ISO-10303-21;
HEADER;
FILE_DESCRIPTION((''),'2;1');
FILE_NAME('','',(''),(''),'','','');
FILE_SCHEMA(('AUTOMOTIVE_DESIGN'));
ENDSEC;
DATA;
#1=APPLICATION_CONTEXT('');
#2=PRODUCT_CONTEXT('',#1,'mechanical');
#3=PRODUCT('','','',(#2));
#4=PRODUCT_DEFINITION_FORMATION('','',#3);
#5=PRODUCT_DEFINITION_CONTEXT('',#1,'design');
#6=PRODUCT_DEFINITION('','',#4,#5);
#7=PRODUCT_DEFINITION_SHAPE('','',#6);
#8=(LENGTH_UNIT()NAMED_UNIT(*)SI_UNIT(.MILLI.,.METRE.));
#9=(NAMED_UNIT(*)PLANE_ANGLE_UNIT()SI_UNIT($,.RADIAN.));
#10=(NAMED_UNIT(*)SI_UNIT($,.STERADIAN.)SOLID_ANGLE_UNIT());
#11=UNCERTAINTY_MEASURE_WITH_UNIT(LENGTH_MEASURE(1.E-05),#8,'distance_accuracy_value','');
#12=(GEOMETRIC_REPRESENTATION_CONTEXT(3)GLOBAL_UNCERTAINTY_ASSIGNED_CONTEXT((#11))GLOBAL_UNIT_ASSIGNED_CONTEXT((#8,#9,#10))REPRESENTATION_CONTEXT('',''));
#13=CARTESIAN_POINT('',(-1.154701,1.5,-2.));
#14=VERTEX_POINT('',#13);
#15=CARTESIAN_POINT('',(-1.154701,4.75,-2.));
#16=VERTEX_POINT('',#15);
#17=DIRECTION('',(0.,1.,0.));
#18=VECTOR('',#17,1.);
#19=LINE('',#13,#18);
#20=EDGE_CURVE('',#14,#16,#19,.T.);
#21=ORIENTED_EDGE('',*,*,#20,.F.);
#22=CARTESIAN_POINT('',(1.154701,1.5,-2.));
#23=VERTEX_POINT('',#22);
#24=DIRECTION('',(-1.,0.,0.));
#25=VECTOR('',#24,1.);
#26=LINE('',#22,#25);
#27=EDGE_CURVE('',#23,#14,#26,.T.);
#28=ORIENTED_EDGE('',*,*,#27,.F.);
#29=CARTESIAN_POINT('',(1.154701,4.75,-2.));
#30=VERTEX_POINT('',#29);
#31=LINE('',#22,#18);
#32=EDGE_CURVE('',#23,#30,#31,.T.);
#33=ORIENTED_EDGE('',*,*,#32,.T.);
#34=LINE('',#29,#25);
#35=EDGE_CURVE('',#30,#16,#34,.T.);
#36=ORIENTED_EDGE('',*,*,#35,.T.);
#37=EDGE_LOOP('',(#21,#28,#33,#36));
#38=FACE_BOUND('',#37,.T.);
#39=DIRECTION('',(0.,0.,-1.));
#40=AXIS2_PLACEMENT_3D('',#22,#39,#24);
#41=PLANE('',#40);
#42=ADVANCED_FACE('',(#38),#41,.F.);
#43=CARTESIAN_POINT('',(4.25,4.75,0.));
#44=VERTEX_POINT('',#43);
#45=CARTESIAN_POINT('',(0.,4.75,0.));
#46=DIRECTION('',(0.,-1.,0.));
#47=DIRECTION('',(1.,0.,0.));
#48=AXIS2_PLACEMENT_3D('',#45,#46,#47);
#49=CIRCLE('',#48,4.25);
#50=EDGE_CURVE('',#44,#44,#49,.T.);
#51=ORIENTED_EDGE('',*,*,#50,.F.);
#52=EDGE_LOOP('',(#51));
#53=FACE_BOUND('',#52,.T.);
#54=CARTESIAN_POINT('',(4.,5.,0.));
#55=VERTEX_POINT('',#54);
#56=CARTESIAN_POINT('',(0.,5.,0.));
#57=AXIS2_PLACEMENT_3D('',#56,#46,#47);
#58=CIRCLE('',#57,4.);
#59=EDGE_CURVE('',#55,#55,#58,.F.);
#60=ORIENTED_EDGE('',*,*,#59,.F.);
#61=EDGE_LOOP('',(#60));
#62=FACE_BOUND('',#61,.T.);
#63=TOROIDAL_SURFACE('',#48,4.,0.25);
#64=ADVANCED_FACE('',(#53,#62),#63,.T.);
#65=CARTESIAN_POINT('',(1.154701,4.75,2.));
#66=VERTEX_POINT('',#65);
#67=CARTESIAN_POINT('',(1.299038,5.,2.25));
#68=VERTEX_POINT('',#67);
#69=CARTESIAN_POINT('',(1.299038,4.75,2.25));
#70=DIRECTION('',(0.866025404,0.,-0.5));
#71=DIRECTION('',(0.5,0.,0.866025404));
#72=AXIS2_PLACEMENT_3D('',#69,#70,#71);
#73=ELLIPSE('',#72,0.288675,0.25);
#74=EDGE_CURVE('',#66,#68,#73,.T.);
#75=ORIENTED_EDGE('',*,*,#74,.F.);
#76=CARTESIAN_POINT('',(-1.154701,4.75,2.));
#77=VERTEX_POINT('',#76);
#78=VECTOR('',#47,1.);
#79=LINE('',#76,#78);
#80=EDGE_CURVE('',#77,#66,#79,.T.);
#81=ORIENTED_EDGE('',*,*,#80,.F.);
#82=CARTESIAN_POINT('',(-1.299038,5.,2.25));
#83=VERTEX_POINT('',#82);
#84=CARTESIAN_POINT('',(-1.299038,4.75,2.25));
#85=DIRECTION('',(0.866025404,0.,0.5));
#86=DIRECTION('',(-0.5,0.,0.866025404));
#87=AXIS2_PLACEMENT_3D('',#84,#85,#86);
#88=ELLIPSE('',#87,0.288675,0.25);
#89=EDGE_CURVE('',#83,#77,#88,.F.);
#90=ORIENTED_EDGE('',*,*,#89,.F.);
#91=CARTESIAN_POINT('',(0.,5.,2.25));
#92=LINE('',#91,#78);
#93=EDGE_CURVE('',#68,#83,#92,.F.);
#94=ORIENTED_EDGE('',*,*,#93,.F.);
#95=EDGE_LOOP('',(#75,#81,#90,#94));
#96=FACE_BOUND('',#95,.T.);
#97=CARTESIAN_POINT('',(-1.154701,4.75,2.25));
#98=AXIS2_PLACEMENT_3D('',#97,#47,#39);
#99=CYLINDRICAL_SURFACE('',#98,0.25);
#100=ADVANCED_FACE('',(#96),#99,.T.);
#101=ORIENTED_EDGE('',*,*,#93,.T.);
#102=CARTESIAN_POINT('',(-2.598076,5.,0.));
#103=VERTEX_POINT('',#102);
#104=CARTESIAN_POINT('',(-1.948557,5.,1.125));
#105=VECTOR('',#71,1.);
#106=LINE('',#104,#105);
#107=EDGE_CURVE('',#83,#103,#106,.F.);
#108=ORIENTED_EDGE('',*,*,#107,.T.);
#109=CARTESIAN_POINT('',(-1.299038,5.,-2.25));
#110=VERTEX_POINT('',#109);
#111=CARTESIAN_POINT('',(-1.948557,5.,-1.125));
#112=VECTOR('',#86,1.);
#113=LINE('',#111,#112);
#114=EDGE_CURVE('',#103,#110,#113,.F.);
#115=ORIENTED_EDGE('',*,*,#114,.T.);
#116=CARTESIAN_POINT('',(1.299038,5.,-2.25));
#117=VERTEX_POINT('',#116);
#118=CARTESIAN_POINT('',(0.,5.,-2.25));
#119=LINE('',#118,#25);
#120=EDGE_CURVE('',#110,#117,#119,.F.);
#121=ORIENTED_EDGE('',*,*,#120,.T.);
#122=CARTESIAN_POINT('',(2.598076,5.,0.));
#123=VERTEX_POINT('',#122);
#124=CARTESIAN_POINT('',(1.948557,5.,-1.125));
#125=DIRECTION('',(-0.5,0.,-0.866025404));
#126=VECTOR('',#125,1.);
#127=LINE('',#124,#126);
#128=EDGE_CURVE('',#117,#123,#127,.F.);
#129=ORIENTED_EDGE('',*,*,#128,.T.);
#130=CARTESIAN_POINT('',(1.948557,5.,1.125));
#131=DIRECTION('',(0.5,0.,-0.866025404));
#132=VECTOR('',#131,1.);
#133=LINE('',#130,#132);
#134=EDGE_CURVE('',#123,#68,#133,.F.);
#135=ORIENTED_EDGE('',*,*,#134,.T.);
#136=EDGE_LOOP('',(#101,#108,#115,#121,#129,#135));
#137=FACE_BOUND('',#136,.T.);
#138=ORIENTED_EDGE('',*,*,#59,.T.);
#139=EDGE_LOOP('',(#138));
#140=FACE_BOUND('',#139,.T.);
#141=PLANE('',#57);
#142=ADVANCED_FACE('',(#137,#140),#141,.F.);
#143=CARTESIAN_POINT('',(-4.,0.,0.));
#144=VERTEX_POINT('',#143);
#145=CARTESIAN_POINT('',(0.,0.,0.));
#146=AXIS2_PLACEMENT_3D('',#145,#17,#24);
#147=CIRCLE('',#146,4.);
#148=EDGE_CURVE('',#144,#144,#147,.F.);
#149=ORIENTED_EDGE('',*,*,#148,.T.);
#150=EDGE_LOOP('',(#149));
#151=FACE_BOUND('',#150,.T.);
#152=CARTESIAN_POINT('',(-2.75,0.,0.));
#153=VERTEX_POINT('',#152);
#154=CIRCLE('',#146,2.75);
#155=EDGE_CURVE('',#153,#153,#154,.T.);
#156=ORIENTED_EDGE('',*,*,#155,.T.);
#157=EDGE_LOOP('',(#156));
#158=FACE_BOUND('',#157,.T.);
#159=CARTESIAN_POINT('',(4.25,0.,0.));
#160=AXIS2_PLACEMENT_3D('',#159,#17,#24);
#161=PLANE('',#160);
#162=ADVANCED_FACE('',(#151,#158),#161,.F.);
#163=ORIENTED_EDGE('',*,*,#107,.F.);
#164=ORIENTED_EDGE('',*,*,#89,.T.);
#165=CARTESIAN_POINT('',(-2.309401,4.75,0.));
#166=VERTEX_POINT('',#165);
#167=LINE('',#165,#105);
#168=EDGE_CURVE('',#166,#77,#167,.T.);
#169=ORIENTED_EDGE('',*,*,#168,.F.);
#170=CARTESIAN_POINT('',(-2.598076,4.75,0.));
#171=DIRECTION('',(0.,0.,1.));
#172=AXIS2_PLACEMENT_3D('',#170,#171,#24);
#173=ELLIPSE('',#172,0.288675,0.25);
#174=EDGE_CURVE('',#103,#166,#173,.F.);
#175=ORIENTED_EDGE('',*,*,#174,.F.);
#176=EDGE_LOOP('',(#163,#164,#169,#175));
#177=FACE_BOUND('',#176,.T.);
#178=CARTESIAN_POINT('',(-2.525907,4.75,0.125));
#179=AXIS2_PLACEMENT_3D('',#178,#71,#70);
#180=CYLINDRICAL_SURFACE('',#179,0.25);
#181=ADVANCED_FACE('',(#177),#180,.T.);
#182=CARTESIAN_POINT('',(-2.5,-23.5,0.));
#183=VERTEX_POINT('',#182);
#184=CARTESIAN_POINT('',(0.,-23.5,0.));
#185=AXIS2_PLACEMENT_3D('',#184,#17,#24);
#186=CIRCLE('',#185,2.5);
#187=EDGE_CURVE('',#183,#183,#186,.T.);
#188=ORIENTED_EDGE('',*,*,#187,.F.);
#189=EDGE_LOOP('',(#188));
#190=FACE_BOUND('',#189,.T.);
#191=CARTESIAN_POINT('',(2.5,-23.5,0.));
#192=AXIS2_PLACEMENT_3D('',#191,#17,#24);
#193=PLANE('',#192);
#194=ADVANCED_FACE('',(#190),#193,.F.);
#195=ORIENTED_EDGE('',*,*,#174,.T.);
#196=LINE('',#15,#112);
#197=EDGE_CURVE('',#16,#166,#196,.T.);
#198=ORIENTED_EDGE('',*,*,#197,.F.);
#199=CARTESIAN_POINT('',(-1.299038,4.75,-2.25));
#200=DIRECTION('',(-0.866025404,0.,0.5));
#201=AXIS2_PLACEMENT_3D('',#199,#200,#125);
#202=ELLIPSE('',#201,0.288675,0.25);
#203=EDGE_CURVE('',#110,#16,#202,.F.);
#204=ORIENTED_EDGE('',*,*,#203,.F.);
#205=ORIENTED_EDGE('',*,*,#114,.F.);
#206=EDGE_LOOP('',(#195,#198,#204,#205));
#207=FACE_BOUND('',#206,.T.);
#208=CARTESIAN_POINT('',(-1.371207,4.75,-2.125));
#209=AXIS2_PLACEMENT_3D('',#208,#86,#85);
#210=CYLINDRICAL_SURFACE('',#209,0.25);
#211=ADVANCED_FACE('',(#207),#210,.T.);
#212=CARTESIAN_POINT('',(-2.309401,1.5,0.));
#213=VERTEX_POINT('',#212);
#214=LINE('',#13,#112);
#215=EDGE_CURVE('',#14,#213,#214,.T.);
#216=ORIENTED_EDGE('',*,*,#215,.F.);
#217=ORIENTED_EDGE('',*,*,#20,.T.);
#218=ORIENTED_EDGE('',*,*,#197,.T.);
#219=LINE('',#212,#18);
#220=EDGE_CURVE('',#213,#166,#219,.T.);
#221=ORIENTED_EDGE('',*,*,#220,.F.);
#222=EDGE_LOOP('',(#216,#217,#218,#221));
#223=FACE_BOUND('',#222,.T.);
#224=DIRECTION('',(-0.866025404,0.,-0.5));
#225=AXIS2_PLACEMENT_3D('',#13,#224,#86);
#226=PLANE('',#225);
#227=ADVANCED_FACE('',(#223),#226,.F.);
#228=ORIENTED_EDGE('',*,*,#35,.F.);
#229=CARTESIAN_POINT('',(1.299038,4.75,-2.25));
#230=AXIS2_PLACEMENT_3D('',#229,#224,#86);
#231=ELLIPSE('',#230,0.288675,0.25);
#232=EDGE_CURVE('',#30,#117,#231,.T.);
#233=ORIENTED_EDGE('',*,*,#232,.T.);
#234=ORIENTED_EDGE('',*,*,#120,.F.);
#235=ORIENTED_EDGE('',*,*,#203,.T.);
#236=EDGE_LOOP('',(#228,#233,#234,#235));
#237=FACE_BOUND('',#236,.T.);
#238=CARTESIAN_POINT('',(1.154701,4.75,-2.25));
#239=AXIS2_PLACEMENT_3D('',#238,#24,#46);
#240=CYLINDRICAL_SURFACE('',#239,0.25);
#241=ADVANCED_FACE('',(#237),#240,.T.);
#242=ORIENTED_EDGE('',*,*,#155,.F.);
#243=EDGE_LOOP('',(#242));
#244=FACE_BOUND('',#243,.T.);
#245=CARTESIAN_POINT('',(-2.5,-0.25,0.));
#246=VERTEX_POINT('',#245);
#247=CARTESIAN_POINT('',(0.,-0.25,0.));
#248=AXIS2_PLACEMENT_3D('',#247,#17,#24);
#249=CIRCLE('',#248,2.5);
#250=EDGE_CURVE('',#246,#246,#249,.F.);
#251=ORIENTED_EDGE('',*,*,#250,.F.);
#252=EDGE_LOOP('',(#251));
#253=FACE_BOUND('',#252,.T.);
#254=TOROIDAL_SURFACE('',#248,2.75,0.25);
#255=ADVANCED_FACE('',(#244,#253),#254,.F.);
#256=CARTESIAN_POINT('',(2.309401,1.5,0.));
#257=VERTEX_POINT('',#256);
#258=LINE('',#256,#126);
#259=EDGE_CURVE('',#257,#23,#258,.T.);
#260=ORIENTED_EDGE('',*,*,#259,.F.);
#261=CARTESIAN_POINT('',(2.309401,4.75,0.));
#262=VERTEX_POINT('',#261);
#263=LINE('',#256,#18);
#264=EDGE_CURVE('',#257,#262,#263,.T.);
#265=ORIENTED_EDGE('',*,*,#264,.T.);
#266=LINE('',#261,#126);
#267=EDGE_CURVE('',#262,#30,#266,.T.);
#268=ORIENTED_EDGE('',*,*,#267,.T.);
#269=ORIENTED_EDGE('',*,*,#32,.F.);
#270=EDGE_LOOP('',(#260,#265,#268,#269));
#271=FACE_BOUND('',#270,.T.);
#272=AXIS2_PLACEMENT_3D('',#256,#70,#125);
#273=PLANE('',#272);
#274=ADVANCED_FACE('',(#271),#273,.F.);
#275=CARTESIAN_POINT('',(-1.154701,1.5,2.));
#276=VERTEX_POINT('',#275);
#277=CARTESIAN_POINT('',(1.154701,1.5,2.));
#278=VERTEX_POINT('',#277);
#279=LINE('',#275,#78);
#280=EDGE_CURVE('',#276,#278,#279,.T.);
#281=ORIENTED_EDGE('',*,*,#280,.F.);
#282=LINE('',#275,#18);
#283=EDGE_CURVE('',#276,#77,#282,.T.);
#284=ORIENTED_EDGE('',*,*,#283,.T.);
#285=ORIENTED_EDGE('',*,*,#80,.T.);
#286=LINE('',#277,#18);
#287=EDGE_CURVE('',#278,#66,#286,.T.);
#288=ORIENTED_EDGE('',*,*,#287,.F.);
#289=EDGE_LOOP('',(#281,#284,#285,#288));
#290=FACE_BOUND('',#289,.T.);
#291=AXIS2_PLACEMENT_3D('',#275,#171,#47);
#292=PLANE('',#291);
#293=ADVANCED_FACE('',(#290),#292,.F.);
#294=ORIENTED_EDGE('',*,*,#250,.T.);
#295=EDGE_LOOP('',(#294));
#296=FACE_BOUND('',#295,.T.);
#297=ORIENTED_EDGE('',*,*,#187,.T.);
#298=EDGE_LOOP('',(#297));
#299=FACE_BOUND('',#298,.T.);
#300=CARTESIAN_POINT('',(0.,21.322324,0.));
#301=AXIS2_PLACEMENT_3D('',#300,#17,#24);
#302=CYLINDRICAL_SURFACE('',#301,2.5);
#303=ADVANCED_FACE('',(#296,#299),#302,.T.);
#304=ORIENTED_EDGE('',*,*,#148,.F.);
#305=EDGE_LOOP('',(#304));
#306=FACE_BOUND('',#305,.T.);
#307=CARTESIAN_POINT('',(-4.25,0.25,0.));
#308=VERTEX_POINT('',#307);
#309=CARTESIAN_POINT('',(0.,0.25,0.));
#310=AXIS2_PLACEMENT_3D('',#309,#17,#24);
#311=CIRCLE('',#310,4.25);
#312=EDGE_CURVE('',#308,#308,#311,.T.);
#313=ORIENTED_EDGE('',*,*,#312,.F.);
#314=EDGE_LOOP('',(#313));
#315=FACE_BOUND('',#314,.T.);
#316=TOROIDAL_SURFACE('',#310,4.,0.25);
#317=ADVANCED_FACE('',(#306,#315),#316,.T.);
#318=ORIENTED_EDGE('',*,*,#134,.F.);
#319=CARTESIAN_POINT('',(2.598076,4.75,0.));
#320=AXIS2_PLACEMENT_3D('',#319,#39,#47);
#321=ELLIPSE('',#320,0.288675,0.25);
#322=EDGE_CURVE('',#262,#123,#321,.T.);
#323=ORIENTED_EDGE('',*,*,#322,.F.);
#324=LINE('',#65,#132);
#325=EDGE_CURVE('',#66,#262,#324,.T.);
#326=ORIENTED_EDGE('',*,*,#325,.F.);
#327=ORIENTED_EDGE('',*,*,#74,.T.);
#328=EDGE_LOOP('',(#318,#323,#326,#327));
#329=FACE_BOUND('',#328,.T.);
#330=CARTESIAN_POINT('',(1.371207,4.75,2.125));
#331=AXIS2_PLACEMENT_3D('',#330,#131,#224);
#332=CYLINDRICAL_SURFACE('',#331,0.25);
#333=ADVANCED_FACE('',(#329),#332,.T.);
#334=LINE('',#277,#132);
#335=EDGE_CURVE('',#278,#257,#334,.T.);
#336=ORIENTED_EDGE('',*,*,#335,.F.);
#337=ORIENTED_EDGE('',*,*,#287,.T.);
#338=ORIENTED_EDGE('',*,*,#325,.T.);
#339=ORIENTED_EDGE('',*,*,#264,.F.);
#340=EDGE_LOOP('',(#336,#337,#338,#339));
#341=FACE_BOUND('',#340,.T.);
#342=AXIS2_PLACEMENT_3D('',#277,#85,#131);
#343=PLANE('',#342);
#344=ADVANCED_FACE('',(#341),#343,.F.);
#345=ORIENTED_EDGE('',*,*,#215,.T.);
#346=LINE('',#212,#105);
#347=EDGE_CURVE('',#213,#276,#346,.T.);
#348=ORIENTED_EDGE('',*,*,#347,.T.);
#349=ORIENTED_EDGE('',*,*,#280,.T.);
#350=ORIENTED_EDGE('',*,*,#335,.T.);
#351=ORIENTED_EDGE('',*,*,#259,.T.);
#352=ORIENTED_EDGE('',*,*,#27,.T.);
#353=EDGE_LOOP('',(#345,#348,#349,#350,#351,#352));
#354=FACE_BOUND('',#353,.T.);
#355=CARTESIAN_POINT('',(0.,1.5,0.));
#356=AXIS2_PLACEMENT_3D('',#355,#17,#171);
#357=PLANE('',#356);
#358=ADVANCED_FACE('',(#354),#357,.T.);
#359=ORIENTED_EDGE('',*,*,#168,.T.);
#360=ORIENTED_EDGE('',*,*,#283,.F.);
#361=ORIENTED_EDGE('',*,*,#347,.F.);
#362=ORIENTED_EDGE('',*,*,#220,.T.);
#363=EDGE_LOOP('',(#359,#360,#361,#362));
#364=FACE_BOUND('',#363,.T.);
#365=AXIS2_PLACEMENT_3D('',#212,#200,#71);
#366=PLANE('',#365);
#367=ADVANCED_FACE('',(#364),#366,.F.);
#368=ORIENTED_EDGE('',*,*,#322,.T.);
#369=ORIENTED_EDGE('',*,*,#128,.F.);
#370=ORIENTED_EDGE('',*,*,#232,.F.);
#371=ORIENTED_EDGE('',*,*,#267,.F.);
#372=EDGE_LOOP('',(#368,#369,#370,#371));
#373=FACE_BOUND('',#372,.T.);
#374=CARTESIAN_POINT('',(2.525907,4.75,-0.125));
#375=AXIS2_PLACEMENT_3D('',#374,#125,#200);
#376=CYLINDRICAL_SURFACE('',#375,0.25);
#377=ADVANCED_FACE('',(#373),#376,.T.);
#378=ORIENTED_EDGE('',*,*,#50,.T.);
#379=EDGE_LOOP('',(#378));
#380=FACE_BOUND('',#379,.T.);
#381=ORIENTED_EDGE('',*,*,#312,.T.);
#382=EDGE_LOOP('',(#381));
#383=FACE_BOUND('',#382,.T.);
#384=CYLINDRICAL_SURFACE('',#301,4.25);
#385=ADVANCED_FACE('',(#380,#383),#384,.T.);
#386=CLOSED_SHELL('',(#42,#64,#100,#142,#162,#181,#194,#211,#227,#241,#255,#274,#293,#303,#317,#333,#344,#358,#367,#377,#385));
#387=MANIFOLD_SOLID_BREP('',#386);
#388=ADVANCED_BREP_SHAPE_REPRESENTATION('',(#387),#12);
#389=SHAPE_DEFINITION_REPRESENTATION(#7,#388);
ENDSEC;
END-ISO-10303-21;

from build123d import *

# Parameters (mm, degrees)
CUT_EXTRUDE1_DEPTH = 3.5
FILLET1_R          = 0.25


with BuildPart() as part:
    # Sketch2 → Revolve1 (revolve)
    with BuildSketch(Plane.XY, mode=Mode.PRIVATE) as revolve1_sk:
        Polygon((0, 5), (4.25, 5), (4.25, 0), (2.5, 0), (2.5, -23.5), (0, -23.5), align=None)
    revolve(revolve1_sk.sketch.rotate(Axis((0, 21.322324325, 0), (0, -1, 0)), 180), axis=Axis((0, 21.322324325, 0), (0, -1, 0)))

    # Sketch3 → Cut-Extrude1 (cut)
    with BuildSketch(Plane(origin=(0, 5, 0), x_dir=(1, 0, 0), z_dir=(0, 1, 0))):
        Polygon((2.309401077, 0), (1.154700538, 2), (-1.154700538, 2), (-2.309401077, 0), (-1.154700538, -2), (1.154700538, -2), align=None)
    extrude(amount=-CUT_EXTRUDE1_DEPTH, mode=Mode.SUBTRACT)

    # Fillet1
    fillet1_edges = [part.edges().sort_by_distance(p)[0] for p in [
        (1.732050808, 5, 1),
        (1.732050808, 5, -1),
        (0, 5, -2),
        (-1.732050808, 5, -1),
        (-1.732050808, 5, 1),
        (0, 5, 2),
        (2.5, 0, 0),
        (4.25, 0, 0),
        (4.25, 5, 0),
    ]]
    fillet(fillet1_edges, radius=FILLET1_R)


solid = part.part
